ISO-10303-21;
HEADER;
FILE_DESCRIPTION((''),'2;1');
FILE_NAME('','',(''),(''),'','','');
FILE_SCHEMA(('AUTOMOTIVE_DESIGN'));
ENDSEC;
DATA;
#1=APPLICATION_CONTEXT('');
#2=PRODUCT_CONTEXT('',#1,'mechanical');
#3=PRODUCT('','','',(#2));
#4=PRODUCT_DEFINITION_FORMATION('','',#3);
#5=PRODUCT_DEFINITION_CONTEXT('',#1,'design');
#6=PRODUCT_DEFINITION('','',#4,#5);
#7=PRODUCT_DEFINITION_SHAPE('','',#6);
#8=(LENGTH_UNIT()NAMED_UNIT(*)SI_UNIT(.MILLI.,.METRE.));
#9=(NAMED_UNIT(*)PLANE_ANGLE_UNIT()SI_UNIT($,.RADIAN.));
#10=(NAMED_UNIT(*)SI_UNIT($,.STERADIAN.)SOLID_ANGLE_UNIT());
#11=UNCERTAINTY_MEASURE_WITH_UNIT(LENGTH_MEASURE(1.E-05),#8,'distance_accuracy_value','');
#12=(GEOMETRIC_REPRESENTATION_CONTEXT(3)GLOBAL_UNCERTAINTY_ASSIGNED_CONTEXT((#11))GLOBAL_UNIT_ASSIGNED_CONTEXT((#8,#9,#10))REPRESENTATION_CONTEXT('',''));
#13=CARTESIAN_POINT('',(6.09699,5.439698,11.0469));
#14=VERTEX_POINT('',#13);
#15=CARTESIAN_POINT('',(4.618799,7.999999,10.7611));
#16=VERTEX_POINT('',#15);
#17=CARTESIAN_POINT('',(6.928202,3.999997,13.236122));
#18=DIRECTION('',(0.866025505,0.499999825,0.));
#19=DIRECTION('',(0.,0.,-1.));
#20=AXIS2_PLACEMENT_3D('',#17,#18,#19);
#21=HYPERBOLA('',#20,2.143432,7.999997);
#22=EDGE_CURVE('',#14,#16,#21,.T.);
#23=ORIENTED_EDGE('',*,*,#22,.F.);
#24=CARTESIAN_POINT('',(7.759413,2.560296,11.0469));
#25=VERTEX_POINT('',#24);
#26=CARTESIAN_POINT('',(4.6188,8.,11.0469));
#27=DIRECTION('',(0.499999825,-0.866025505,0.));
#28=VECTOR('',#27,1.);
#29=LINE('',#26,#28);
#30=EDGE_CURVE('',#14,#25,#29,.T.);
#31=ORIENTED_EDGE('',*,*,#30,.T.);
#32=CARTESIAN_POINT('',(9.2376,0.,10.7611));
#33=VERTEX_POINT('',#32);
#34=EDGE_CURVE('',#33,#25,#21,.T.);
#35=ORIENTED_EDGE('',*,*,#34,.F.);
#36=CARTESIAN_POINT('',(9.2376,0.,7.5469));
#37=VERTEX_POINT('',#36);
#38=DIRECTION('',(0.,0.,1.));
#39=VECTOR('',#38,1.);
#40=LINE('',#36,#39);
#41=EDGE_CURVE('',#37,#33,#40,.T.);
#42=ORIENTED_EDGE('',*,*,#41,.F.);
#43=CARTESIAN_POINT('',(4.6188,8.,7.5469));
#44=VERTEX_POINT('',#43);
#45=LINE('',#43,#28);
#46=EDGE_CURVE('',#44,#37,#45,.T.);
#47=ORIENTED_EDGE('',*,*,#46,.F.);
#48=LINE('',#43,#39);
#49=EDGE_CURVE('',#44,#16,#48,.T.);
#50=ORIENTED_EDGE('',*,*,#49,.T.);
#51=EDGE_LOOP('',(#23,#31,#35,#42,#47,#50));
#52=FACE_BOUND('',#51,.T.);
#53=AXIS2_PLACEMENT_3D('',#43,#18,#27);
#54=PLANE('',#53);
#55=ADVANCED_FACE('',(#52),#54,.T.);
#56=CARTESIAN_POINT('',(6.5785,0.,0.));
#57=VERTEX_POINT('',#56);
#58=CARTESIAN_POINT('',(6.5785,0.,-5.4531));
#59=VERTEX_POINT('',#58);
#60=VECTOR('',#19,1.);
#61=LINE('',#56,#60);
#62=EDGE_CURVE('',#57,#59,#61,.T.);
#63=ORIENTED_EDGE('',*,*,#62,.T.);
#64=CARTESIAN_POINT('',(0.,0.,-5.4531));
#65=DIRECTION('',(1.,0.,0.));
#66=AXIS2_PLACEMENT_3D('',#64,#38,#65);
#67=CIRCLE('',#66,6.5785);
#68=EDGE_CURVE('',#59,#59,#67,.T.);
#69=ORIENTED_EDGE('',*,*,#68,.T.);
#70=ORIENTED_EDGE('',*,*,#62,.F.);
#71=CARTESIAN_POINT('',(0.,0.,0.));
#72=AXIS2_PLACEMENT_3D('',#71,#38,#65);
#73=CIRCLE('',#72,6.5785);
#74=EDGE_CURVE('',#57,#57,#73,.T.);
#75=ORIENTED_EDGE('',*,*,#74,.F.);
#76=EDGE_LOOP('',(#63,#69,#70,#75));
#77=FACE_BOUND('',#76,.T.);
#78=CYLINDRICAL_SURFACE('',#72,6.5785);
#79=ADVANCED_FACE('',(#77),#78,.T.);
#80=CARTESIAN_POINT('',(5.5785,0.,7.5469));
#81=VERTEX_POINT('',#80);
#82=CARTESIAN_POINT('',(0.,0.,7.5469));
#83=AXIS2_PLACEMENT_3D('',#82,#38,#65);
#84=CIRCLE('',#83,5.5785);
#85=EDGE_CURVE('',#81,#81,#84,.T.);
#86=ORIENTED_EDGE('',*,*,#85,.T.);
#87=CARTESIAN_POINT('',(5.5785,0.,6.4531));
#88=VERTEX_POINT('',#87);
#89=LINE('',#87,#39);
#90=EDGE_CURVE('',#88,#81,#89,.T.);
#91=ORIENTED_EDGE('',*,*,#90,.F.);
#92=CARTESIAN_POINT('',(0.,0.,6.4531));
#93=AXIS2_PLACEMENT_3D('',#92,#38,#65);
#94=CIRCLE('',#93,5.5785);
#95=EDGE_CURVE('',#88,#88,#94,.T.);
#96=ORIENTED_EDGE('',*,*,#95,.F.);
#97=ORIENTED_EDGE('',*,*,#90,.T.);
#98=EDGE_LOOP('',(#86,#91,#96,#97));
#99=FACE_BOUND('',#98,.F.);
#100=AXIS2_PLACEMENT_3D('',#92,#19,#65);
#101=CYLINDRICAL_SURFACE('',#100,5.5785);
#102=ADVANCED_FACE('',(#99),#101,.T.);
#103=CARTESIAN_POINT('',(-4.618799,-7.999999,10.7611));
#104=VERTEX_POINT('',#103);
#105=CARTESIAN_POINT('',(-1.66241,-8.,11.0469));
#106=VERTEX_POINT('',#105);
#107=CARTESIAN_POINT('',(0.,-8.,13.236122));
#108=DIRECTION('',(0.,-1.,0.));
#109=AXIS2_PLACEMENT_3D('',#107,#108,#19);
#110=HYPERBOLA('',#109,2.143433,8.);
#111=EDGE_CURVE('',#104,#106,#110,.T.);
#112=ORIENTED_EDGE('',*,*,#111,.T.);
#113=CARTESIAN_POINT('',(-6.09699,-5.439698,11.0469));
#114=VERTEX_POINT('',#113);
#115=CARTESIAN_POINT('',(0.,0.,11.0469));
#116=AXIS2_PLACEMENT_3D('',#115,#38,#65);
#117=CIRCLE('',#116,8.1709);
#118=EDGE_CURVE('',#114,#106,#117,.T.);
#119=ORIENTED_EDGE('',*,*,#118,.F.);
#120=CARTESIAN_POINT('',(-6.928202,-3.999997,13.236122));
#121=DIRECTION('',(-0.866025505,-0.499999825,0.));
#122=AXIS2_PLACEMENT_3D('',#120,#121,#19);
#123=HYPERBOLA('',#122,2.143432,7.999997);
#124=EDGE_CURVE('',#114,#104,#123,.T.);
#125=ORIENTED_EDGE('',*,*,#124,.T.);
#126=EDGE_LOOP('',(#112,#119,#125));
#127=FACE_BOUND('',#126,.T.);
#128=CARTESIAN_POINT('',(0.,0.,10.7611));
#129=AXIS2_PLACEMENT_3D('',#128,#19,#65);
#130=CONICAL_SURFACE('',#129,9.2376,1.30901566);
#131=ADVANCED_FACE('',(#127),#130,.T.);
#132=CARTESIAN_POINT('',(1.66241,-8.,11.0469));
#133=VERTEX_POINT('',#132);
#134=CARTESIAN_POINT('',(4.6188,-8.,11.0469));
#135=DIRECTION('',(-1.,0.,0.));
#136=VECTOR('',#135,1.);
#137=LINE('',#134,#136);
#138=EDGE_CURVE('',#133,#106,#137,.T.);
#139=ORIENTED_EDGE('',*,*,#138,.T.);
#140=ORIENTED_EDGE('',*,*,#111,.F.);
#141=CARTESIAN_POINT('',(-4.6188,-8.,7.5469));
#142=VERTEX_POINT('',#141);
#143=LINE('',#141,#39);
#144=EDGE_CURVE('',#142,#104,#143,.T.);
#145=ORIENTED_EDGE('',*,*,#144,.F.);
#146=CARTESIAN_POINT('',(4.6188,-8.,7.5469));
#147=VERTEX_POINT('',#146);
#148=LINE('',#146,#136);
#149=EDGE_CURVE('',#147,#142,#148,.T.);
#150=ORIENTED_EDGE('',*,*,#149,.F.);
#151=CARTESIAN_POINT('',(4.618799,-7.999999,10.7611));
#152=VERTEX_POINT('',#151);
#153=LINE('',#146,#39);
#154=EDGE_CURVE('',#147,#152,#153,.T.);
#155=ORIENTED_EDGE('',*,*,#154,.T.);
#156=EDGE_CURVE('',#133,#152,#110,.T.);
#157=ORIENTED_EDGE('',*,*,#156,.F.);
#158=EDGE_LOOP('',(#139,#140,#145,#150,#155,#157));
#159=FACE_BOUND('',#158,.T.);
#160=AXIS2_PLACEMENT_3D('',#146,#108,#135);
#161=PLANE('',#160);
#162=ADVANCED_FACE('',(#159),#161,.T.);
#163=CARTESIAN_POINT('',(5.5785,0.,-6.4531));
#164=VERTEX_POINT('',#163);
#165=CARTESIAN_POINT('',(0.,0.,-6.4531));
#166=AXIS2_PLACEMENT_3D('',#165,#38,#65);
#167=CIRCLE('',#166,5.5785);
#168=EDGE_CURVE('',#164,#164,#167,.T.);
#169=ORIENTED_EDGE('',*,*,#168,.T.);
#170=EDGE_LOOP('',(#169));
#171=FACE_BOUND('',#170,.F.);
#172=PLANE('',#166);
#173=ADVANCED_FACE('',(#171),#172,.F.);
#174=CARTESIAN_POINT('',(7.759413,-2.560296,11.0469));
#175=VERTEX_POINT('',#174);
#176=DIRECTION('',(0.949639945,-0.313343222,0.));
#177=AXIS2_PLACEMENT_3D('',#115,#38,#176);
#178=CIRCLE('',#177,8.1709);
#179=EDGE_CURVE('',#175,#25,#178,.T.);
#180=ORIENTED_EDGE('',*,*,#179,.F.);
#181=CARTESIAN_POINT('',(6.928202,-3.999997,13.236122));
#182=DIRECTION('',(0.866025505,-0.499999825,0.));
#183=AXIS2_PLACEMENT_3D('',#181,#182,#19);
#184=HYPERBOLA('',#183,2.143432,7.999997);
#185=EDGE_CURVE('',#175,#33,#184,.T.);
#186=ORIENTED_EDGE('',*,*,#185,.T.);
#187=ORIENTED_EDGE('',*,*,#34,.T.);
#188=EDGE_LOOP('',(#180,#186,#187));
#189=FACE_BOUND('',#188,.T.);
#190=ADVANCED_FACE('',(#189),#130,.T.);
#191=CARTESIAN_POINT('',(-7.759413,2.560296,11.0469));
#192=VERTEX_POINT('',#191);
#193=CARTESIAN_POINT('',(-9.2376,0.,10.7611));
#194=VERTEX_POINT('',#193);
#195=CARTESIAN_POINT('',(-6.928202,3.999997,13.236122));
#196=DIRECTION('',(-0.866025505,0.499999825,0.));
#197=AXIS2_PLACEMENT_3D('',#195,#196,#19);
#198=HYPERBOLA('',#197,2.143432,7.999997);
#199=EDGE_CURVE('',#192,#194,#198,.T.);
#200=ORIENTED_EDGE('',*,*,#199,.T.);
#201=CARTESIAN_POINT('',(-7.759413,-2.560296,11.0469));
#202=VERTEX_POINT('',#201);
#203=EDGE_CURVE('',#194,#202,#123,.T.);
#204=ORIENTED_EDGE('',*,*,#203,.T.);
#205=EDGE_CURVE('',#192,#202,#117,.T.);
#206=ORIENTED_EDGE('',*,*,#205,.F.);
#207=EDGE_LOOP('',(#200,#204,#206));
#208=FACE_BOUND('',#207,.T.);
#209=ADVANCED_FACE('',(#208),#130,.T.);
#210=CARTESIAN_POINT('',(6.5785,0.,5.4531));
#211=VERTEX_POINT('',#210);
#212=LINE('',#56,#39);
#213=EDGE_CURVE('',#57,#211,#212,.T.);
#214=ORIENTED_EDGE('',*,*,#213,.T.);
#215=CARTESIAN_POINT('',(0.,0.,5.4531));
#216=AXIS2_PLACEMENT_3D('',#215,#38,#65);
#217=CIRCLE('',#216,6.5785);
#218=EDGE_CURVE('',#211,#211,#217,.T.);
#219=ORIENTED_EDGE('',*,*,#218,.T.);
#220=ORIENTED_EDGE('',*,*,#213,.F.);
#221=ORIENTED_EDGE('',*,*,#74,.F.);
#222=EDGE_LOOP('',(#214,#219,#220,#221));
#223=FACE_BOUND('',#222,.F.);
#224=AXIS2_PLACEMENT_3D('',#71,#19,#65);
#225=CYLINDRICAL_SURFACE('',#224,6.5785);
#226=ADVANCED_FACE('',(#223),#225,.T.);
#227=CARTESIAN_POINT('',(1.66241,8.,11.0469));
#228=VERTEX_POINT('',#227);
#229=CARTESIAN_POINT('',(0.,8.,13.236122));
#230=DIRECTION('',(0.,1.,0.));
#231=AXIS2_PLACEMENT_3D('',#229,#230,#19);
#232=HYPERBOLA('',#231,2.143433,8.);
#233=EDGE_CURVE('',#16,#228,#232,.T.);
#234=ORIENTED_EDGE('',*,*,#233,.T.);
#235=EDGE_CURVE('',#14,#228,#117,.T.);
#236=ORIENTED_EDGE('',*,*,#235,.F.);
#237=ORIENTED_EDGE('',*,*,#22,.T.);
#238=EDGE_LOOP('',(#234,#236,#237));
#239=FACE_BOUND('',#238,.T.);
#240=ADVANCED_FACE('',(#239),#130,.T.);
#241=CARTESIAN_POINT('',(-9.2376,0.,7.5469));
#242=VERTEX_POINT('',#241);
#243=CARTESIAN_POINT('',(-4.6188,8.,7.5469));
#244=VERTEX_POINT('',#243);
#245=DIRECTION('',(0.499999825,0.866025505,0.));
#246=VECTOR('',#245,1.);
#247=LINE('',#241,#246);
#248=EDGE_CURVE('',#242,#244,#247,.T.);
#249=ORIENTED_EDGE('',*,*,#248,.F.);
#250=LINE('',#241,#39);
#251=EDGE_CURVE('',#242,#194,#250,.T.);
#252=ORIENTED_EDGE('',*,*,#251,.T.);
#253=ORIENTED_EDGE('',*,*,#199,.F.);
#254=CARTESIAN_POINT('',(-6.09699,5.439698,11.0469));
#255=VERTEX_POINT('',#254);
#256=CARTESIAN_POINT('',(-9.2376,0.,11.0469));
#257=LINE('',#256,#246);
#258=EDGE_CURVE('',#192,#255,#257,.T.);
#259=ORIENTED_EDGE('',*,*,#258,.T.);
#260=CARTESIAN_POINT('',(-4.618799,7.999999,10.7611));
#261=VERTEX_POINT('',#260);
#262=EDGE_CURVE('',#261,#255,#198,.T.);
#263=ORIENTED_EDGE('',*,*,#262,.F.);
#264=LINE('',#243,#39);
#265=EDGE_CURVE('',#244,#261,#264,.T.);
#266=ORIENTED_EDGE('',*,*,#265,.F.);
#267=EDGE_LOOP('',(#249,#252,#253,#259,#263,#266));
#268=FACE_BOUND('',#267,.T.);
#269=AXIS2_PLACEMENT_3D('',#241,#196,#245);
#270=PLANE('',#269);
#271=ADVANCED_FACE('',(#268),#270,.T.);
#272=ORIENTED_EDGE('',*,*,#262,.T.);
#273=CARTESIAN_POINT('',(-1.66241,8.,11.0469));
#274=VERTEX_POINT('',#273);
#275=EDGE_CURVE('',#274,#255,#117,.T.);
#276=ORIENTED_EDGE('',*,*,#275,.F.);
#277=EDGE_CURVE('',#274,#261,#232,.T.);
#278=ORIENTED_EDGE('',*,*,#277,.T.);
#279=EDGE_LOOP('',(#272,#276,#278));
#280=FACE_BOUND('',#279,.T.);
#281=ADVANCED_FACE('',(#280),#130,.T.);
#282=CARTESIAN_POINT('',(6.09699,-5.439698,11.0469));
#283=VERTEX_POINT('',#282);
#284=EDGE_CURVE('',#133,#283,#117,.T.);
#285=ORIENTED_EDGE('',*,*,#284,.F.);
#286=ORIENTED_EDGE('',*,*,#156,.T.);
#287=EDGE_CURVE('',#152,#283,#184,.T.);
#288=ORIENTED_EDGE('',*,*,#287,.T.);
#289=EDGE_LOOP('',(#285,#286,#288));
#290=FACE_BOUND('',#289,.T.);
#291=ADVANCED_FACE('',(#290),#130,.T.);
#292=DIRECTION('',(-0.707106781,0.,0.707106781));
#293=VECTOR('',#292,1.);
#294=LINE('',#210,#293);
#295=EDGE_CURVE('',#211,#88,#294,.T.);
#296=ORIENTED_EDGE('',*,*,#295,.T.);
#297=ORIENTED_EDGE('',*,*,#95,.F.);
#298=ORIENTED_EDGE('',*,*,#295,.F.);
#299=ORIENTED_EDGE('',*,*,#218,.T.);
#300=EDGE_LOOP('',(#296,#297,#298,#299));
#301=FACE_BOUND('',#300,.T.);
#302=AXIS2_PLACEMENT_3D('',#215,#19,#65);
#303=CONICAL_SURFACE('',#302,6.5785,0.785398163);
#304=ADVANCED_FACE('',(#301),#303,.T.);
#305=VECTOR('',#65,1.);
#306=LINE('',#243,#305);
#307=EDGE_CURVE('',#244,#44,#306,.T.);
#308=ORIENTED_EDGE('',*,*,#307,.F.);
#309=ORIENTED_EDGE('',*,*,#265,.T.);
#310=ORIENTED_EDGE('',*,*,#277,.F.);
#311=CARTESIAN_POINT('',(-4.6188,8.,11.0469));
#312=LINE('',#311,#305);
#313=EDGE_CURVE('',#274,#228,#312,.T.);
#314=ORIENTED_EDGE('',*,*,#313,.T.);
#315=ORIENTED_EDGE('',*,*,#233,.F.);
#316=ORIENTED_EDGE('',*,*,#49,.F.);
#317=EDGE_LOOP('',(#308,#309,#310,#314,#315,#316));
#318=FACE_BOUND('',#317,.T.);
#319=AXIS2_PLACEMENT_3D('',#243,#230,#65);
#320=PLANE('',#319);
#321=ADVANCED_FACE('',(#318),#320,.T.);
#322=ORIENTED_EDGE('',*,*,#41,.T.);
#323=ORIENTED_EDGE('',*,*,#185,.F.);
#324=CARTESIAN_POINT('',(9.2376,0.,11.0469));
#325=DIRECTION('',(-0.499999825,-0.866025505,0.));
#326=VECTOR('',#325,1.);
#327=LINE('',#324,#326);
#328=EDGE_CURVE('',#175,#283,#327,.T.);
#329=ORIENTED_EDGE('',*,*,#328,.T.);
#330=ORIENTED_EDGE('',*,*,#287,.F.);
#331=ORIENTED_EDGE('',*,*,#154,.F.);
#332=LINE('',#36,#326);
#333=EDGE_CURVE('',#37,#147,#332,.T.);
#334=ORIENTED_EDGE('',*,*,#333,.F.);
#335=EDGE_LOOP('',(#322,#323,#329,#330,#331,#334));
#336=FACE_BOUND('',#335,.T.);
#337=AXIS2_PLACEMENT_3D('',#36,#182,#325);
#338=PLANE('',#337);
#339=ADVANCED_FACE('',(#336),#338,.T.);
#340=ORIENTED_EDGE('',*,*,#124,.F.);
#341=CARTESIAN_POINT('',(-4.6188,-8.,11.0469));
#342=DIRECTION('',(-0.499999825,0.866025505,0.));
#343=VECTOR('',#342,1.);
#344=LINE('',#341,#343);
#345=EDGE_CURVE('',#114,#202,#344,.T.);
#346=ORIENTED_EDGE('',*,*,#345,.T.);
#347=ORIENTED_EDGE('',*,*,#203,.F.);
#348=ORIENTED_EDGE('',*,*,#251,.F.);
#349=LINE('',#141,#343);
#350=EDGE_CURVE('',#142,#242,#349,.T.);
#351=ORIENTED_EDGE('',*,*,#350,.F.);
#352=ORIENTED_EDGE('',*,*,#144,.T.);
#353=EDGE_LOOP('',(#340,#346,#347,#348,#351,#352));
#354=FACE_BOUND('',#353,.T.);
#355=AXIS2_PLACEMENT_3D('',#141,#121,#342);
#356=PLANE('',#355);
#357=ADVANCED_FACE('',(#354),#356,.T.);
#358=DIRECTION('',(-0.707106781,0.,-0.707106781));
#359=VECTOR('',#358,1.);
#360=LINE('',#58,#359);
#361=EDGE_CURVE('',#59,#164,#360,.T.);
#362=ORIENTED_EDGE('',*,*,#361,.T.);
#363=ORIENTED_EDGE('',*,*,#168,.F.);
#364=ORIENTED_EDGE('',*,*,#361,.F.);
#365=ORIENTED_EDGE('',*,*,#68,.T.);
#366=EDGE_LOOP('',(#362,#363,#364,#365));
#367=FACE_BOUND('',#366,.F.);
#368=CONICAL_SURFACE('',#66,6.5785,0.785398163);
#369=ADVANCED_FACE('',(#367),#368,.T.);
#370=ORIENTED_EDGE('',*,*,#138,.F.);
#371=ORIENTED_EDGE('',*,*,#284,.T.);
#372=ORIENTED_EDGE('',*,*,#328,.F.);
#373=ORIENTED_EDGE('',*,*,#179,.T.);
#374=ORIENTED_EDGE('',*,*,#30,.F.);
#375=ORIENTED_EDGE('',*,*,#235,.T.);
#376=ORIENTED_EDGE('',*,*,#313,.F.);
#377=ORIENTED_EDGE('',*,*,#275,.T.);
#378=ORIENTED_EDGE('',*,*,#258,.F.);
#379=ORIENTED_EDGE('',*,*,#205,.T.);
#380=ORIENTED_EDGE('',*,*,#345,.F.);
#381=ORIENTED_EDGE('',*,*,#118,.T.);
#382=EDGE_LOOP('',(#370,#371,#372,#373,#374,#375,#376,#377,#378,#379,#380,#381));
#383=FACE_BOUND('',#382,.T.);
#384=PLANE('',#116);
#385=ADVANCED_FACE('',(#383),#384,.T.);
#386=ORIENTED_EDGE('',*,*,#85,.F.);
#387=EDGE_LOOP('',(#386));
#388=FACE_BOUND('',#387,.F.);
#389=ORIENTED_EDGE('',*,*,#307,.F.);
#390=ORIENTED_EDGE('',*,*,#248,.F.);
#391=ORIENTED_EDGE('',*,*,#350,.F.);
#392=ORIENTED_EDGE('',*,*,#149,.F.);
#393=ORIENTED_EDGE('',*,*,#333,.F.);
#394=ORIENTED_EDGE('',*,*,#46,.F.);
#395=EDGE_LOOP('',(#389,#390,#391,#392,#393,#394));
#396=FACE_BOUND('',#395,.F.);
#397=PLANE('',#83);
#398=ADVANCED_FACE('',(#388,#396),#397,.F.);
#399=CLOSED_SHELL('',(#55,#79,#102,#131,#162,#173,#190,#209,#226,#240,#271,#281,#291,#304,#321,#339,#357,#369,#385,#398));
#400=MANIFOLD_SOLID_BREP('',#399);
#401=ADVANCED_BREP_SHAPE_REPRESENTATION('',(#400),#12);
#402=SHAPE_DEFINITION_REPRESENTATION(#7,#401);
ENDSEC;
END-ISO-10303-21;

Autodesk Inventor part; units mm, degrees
ref_plane "YZ Plane" through (0, 0, 0) normal (1, 0, 0) x (0, 1, 0)
ref_plane "XZ Plane" through (0, 0, 0) normal (0, 1, 0) x (-1, 0, 0)
ref_plane "XY Plane" through (0, 0, 0) normal (0, 0, 1) x (1, 0, 0)
sketch "Szkic7" plane through (0, 0, 0) normal (0, 0, 1) x (1, 0, 0)
  circle A0 centre (0, 0) radius 6.5785
  dimension "d35" = 13.157
extrude "Wyciągnięcie proste2" add sketch "Szkic7" along normal mid plane 12.9062
chamfer "Faza2" distance 1 angle 45 1 edges at (-6.5785, 0, 6.4531)
sketch "Szkic9" plane through (0, 0, 6.4531) normal (0, 0, 1) x (1, 0, 0)
  circle A0 centre (0, 0) radius 5.5785 projected
extrude "Wyciągnięcie proste3" add sketch "Szkic9" along normal blind 1.0938
sketch "Szkic10" plane through (0, 0, 7.5469) normal (0, 0, 1) x (1, 0, 0)
  line L0 (-4.6188, 8) -> (4.6188, 8)
  line L1 (4.6188, 8) -> (9.2376, 0)
  line L2 (9.2376, 0) -> (4.6188, -8)
  line L3 (4.6188, -8) -> (-4.6188, -8)
  line L4 (-4.6188, -8) -> (-9.2376, 0)
  line L5 (-9.2376, 0) -> (-4.6188, 8)
  line L6 (0, 9.2099) -> (0, -9.2099) construction
  line L7 (-9.6995, 0) -> (9.6995, 0) construction
  point P0 (0, 0)
  point P1 (0, 0)
  point P2 (0, 8)
  dimension "d44" = 16
extrude "Wyciągnięcie proste4" add sketch "Szkic10" along normal blind 3.5
sketch "Szkic12" plane through (0, 0, 0) normal (0, 1, 0) x (-1, 0, 0)
  line L0 (0, -2.1463) -> (0, 12.8775) construction
  line L1 (-4.6188, 7.5469) -> (-4.6188, 11.0469) construction
  line L2 (-9.2376, 11.0469) -> (-4.6188, 11.0469) construction
  line L3 (-9.2376, 7.5469) -> (-9.2376, 11.0469) projected
  line L4 (-9.2376, 10.7611) -> (-8.1709, 11.0469)
  line L5 (-9.2376, 11.0469) -> (-4.6188, 11.0469) projected
  line L6 (-9.2376, 7.5469) -> (-4.6188, 7.5469) projected
  point P0 (0, 0)
  dimension "d50" = 15
  dimension "d51" = 1.0667
revolve "Obrót2" cut sketch "Szkic12" angle 360 about axis through (0, 0, -10) along (0, 0, 1)
thread "Gwint3" size "G13.157x1.337" designation "G 1/4" class "A" standard "ISO Pipe Threads" full length
chamfer "Faza3" distance 1 angle 45 1 edges at (-6.5785, 0, -6.4531)
equation "\"d35\" = OD"
equation "\"d36\" = 0.7375 * L"
equation "\"d42\" = 0.0625 * L"
equation "\"d44\" = SW"
equation "\"d45\" = 0.2 * L"
equation "\"d51\" = 0.0666667 * SW"
equation "\"SzerokośćGięciaPodcięcia\" = Grubość"
equation "\"RozmiarPodcięciaNarożnika\" = 4 * Grubość"
equation "\"PromieńPrzejścia\" = PromieńGięcia"
equation "\"Rozmiar_promienia_Jacobiego\" = PromieńGięcia"
equation "\"Wielk_odstępu\" = Grubość"
equation "\"d2\" = PromieńGięcia"
equation "\"d23\" = PromieńGięcia"
equation "\"OD\" = 13.157"
equation "\"SW\" = 16"
equation "\"L\" = 17.5"
equation "\"Grubość\" = 1.5"
equation "\"PromieńGięcia\" = 3"
properties part number "Korek sześciokątny BSP 1/4'' L=17,5" material "304"
